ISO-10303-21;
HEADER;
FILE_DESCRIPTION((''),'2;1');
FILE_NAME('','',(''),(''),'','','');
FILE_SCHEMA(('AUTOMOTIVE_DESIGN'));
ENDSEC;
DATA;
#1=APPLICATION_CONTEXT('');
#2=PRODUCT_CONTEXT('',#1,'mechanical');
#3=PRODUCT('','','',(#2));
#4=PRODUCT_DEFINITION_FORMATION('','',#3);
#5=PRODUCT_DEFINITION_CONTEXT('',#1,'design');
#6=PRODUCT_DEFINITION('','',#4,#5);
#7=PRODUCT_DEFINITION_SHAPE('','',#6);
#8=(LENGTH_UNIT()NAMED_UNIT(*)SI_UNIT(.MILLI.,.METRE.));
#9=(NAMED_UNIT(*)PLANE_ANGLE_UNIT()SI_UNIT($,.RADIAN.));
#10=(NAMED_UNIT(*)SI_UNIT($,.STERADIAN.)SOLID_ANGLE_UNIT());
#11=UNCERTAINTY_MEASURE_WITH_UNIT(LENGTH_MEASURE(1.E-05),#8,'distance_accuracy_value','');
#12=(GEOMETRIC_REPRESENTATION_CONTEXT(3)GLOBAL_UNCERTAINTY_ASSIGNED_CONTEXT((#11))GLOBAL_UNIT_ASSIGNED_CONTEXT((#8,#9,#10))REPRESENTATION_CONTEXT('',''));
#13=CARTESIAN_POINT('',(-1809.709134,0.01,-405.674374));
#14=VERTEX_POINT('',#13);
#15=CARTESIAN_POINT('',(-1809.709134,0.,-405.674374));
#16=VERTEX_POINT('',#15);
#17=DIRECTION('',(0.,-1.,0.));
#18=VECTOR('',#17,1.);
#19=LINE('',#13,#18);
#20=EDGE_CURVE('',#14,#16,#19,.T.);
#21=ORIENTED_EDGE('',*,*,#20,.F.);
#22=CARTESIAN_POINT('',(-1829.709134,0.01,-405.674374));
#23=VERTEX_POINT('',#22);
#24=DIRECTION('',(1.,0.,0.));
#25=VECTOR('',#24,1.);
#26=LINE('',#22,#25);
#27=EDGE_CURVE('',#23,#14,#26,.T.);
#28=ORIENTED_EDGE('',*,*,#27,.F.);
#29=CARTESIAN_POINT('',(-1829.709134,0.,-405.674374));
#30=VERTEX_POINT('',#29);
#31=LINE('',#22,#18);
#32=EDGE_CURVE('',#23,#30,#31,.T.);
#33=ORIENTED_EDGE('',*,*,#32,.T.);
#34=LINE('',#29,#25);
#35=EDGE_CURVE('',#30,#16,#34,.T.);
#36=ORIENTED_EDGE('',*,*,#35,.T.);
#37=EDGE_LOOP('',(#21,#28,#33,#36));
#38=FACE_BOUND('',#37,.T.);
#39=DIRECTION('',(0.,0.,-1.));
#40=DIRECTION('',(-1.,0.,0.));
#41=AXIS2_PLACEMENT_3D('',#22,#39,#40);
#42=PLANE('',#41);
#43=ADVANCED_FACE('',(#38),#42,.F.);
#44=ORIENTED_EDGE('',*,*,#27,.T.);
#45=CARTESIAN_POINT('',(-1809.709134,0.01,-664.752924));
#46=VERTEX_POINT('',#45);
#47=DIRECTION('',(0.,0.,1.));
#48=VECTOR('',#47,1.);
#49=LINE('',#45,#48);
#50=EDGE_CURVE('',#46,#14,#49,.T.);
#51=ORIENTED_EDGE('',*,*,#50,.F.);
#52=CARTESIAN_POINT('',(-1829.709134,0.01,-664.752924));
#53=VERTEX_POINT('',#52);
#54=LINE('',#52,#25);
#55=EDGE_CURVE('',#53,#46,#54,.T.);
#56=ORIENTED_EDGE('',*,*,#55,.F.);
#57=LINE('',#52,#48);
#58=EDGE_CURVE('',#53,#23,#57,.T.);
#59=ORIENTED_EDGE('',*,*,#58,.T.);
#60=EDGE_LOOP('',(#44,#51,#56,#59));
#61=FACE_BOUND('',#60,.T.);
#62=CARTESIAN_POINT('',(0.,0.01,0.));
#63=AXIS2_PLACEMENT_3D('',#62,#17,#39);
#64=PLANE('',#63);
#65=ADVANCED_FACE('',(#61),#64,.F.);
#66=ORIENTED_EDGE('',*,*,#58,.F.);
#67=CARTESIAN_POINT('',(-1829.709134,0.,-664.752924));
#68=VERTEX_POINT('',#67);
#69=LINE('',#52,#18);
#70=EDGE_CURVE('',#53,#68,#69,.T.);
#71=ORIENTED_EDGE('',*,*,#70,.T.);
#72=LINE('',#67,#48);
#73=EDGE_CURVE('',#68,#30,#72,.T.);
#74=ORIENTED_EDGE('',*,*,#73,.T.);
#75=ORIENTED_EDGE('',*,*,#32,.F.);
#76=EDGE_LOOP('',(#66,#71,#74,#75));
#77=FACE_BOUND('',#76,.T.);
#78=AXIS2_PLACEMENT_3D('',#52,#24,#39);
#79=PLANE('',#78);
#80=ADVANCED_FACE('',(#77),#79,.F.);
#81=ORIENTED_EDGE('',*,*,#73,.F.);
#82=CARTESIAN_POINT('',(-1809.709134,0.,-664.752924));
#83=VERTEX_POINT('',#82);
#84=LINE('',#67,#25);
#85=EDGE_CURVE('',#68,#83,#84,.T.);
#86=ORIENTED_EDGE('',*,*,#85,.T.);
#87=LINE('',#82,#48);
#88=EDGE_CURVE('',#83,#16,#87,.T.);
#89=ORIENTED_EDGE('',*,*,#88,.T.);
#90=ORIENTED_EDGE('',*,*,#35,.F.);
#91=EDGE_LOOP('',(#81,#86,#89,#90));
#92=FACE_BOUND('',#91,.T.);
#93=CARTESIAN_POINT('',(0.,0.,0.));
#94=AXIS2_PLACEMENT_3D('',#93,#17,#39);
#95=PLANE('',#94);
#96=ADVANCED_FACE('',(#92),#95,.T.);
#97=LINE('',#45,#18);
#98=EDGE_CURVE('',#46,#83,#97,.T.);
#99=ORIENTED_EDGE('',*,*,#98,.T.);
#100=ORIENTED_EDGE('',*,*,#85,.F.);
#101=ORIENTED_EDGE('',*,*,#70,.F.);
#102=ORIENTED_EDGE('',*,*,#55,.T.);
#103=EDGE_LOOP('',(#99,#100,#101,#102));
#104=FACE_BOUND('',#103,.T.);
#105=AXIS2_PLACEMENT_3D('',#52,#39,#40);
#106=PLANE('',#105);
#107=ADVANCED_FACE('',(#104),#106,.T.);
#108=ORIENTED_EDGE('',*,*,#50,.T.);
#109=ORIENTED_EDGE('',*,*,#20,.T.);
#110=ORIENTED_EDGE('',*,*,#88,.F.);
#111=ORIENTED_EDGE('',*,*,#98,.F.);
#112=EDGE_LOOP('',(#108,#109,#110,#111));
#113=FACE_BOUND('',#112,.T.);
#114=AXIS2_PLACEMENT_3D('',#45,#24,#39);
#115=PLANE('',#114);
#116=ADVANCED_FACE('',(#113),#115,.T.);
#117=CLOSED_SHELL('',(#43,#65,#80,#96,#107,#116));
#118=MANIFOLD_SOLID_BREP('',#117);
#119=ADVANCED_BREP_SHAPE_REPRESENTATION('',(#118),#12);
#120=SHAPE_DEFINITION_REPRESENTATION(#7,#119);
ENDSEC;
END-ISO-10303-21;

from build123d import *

# Parameters (mm, degrees)
ESBO_O1_W                 = 20
ESBO_O1_H                 = 259.078549656
RESSALTO_EXTRUS_O17_DEPTH = 0.01


with BuildPart() as part:
    # Esboço1 → Ressalto-extrusão17 (new body)
    with BuildSketch(Plane(origin=(0, 0, 0), x_dir=(1, 0, 0), z_dir=(0, 1, 0))):
        with Locations((-1819.709134436, 535.213648906)):
            Rectangle(ESBO_O1_W, ESBO_O1_H)
    extrude(amount=RESSALTO_EXTRUS_O17_DEPTH)


solid = part.part
